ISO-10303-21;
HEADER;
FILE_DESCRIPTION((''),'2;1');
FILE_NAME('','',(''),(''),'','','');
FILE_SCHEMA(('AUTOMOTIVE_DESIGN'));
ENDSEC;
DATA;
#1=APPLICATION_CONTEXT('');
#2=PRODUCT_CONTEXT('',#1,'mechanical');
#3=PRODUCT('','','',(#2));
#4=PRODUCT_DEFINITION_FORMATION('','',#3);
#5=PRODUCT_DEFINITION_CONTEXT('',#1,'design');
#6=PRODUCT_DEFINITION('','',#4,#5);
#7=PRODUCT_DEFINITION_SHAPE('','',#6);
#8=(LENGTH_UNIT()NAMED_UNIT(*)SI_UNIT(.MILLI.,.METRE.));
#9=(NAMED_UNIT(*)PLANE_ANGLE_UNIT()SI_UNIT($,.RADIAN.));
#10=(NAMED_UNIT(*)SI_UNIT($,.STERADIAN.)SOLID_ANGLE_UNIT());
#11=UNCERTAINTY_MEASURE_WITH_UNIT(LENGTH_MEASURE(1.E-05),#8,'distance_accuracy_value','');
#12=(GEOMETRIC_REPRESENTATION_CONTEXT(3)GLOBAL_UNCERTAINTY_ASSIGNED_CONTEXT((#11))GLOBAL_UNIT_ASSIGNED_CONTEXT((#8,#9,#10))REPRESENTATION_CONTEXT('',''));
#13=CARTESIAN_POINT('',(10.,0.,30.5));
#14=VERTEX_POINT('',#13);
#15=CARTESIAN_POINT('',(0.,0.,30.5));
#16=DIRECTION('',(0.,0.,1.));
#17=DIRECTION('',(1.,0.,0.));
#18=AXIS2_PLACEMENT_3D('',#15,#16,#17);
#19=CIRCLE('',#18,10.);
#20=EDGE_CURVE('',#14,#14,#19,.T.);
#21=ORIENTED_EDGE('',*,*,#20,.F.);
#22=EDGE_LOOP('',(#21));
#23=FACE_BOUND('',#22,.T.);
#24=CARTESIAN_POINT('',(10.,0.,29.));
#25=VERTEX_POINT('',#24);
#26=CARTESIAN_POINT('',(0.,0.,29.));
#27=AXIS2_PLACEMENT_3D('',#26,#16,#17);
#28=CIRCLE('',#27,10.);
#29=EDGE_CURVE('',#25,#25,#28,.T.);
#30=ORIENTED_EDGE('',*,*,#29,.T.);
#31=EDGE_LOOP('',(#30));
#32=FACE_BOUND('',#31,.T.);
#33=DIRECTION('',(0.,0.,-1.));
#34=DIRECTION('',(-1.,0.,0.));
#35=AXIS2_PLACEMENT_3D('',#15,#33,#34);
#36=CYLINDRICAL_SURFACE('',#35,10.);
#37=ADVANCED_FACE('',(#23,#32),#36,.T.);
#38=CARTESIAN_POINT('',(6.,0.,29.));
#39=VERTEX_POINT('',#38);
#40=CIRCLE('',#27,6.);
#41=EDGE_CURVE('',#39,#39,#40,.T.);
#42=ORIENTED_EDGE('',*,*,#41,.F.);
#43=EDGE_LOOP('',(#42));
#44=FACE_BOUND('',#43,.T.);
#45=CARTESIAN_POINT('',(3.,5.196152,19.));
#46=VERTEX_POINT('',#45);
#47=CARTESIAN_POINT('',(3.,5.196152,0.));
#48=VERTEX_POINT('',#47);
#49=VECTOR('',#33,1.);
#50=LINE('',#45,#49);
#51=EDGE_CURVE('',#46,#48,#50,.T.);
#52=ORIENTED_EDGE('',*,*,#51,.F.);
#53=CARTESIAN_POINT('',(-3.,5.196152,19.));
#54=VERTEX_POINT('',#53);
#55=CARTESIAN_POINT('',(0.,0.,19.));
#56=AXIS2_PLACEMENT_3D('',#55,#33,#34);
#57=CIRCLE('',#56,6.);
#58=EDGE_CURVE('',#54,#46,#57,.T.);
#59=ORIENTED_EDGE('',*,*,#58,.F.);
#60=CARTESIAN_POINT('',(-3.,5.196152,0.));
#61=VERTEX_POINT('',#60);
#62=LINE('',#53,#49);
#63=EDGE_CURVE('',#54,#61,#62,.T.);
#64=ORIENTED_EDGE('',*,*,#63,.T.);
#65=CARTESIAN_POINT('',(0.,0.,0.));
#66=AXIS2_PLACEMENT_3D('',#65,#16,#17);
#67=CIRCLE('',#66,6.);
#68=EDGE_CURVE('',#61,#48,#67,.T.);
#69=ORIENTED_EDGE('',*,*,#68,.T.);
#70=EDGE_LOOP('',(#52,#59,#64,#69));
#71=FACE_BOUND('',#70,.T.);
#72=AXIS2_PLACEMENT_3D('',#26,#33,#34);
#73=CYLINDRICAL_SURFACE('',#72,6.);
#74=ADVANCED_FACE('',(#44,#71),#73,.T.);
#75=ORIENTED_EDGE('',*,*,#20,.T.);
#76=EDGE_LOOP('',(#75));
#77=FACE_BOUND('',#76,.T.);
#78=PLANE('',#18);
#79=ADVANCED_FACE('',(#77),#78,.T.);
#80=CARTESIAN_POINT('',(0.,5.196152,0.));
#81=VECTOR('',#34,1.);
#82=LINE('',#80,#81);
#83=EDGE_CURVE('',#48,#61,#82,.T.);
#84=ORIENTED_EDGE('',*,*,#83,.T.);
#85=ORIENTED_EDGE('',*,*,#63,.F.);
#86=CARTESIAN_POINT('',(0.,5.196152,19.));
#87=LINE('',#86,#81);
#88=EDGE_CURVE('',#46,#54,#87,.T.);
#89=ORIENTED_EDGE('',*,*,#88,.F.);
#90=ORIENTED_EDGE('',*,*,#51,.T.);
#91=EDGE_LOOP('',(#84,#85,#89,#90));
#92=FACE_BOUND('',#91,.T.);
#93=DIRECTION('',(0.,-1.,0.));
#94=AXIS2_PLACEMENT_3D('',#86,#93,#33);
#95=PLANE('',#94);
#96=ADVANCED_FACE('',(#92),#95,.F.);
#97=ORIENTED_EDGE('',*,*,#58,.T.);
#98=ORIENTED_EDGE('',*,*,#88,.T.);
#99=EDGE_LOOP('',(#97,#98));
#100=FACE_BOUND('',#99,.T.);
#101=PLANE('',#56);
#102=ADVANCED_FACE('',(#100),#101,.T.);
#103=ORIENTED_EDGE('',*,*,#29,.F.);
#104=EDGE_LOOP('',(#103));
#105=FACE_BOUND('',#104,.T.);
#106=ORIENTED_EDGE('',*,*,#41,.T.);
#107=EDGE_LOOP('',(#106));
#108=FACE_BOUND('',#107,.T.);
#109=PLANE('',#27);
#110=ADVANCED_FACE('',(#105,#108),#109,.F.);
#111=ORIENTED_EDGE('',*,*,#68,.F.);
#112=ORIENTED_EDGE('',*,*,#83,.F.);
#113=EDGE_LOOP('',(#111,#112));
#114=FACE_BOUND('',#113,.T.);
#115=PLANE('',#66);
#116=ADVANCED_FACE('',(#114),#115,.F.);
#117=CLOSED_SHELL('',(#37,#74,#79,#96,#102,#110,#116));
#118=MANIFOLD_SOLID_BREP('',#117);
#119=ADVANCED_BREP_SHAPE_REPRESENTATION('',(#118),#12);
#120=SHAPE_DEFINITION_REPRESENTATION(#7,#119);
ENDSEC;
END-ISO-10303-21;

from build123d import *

# Parameters (mm, degrees)
SKETCH1_R           = 6
BOSS_EXTRUDE1_DEPTH = 29
CUT_EXTRUDE1_DEPTH  = 19
SKETCH3_R           = 10
BOSS_EXTRUDE2_DEPTH = 1.5


with BuildPart() as part:
    # Sketch1 → Boss-Extrude1 (new body)
    with BuildSketch(Plane.XY):
        with Locations(Location((0, 0, 0), (0, 0, 180))):
            Circle(SKETCH1_R)
    extrude(amount=BOSS_EXTRUDE1_DEPTH)

    # Sketch2 → Cut-Extrude1 (cut)
    with BuildSketch(Plane(origin=(0, 0, 0), x_dir=(-1, 0, 0), z_dir=(0, 0, -1))):
        Polygon((-41.730042052, 5.196152423), (-3, 5.196152423), (3, 5.196152423), (41.730042052, 5.196152423), (41.730042052, 82.656236526), (-41.730042052, 82.656236526), align=None)
    extrude(amount=-CUT_EXTRUDE1_DEPTH, mode=Mode.SUBTRACT)

    # Sketch3 → Boss-Extrude2 (add)
    with BuildSketch(Plane.XY.offset(29)):
        Circle(SKETCH3_R)
    extrude(amount=BOSS_EXTRUDE2_DEPTH)


solid = part.part
